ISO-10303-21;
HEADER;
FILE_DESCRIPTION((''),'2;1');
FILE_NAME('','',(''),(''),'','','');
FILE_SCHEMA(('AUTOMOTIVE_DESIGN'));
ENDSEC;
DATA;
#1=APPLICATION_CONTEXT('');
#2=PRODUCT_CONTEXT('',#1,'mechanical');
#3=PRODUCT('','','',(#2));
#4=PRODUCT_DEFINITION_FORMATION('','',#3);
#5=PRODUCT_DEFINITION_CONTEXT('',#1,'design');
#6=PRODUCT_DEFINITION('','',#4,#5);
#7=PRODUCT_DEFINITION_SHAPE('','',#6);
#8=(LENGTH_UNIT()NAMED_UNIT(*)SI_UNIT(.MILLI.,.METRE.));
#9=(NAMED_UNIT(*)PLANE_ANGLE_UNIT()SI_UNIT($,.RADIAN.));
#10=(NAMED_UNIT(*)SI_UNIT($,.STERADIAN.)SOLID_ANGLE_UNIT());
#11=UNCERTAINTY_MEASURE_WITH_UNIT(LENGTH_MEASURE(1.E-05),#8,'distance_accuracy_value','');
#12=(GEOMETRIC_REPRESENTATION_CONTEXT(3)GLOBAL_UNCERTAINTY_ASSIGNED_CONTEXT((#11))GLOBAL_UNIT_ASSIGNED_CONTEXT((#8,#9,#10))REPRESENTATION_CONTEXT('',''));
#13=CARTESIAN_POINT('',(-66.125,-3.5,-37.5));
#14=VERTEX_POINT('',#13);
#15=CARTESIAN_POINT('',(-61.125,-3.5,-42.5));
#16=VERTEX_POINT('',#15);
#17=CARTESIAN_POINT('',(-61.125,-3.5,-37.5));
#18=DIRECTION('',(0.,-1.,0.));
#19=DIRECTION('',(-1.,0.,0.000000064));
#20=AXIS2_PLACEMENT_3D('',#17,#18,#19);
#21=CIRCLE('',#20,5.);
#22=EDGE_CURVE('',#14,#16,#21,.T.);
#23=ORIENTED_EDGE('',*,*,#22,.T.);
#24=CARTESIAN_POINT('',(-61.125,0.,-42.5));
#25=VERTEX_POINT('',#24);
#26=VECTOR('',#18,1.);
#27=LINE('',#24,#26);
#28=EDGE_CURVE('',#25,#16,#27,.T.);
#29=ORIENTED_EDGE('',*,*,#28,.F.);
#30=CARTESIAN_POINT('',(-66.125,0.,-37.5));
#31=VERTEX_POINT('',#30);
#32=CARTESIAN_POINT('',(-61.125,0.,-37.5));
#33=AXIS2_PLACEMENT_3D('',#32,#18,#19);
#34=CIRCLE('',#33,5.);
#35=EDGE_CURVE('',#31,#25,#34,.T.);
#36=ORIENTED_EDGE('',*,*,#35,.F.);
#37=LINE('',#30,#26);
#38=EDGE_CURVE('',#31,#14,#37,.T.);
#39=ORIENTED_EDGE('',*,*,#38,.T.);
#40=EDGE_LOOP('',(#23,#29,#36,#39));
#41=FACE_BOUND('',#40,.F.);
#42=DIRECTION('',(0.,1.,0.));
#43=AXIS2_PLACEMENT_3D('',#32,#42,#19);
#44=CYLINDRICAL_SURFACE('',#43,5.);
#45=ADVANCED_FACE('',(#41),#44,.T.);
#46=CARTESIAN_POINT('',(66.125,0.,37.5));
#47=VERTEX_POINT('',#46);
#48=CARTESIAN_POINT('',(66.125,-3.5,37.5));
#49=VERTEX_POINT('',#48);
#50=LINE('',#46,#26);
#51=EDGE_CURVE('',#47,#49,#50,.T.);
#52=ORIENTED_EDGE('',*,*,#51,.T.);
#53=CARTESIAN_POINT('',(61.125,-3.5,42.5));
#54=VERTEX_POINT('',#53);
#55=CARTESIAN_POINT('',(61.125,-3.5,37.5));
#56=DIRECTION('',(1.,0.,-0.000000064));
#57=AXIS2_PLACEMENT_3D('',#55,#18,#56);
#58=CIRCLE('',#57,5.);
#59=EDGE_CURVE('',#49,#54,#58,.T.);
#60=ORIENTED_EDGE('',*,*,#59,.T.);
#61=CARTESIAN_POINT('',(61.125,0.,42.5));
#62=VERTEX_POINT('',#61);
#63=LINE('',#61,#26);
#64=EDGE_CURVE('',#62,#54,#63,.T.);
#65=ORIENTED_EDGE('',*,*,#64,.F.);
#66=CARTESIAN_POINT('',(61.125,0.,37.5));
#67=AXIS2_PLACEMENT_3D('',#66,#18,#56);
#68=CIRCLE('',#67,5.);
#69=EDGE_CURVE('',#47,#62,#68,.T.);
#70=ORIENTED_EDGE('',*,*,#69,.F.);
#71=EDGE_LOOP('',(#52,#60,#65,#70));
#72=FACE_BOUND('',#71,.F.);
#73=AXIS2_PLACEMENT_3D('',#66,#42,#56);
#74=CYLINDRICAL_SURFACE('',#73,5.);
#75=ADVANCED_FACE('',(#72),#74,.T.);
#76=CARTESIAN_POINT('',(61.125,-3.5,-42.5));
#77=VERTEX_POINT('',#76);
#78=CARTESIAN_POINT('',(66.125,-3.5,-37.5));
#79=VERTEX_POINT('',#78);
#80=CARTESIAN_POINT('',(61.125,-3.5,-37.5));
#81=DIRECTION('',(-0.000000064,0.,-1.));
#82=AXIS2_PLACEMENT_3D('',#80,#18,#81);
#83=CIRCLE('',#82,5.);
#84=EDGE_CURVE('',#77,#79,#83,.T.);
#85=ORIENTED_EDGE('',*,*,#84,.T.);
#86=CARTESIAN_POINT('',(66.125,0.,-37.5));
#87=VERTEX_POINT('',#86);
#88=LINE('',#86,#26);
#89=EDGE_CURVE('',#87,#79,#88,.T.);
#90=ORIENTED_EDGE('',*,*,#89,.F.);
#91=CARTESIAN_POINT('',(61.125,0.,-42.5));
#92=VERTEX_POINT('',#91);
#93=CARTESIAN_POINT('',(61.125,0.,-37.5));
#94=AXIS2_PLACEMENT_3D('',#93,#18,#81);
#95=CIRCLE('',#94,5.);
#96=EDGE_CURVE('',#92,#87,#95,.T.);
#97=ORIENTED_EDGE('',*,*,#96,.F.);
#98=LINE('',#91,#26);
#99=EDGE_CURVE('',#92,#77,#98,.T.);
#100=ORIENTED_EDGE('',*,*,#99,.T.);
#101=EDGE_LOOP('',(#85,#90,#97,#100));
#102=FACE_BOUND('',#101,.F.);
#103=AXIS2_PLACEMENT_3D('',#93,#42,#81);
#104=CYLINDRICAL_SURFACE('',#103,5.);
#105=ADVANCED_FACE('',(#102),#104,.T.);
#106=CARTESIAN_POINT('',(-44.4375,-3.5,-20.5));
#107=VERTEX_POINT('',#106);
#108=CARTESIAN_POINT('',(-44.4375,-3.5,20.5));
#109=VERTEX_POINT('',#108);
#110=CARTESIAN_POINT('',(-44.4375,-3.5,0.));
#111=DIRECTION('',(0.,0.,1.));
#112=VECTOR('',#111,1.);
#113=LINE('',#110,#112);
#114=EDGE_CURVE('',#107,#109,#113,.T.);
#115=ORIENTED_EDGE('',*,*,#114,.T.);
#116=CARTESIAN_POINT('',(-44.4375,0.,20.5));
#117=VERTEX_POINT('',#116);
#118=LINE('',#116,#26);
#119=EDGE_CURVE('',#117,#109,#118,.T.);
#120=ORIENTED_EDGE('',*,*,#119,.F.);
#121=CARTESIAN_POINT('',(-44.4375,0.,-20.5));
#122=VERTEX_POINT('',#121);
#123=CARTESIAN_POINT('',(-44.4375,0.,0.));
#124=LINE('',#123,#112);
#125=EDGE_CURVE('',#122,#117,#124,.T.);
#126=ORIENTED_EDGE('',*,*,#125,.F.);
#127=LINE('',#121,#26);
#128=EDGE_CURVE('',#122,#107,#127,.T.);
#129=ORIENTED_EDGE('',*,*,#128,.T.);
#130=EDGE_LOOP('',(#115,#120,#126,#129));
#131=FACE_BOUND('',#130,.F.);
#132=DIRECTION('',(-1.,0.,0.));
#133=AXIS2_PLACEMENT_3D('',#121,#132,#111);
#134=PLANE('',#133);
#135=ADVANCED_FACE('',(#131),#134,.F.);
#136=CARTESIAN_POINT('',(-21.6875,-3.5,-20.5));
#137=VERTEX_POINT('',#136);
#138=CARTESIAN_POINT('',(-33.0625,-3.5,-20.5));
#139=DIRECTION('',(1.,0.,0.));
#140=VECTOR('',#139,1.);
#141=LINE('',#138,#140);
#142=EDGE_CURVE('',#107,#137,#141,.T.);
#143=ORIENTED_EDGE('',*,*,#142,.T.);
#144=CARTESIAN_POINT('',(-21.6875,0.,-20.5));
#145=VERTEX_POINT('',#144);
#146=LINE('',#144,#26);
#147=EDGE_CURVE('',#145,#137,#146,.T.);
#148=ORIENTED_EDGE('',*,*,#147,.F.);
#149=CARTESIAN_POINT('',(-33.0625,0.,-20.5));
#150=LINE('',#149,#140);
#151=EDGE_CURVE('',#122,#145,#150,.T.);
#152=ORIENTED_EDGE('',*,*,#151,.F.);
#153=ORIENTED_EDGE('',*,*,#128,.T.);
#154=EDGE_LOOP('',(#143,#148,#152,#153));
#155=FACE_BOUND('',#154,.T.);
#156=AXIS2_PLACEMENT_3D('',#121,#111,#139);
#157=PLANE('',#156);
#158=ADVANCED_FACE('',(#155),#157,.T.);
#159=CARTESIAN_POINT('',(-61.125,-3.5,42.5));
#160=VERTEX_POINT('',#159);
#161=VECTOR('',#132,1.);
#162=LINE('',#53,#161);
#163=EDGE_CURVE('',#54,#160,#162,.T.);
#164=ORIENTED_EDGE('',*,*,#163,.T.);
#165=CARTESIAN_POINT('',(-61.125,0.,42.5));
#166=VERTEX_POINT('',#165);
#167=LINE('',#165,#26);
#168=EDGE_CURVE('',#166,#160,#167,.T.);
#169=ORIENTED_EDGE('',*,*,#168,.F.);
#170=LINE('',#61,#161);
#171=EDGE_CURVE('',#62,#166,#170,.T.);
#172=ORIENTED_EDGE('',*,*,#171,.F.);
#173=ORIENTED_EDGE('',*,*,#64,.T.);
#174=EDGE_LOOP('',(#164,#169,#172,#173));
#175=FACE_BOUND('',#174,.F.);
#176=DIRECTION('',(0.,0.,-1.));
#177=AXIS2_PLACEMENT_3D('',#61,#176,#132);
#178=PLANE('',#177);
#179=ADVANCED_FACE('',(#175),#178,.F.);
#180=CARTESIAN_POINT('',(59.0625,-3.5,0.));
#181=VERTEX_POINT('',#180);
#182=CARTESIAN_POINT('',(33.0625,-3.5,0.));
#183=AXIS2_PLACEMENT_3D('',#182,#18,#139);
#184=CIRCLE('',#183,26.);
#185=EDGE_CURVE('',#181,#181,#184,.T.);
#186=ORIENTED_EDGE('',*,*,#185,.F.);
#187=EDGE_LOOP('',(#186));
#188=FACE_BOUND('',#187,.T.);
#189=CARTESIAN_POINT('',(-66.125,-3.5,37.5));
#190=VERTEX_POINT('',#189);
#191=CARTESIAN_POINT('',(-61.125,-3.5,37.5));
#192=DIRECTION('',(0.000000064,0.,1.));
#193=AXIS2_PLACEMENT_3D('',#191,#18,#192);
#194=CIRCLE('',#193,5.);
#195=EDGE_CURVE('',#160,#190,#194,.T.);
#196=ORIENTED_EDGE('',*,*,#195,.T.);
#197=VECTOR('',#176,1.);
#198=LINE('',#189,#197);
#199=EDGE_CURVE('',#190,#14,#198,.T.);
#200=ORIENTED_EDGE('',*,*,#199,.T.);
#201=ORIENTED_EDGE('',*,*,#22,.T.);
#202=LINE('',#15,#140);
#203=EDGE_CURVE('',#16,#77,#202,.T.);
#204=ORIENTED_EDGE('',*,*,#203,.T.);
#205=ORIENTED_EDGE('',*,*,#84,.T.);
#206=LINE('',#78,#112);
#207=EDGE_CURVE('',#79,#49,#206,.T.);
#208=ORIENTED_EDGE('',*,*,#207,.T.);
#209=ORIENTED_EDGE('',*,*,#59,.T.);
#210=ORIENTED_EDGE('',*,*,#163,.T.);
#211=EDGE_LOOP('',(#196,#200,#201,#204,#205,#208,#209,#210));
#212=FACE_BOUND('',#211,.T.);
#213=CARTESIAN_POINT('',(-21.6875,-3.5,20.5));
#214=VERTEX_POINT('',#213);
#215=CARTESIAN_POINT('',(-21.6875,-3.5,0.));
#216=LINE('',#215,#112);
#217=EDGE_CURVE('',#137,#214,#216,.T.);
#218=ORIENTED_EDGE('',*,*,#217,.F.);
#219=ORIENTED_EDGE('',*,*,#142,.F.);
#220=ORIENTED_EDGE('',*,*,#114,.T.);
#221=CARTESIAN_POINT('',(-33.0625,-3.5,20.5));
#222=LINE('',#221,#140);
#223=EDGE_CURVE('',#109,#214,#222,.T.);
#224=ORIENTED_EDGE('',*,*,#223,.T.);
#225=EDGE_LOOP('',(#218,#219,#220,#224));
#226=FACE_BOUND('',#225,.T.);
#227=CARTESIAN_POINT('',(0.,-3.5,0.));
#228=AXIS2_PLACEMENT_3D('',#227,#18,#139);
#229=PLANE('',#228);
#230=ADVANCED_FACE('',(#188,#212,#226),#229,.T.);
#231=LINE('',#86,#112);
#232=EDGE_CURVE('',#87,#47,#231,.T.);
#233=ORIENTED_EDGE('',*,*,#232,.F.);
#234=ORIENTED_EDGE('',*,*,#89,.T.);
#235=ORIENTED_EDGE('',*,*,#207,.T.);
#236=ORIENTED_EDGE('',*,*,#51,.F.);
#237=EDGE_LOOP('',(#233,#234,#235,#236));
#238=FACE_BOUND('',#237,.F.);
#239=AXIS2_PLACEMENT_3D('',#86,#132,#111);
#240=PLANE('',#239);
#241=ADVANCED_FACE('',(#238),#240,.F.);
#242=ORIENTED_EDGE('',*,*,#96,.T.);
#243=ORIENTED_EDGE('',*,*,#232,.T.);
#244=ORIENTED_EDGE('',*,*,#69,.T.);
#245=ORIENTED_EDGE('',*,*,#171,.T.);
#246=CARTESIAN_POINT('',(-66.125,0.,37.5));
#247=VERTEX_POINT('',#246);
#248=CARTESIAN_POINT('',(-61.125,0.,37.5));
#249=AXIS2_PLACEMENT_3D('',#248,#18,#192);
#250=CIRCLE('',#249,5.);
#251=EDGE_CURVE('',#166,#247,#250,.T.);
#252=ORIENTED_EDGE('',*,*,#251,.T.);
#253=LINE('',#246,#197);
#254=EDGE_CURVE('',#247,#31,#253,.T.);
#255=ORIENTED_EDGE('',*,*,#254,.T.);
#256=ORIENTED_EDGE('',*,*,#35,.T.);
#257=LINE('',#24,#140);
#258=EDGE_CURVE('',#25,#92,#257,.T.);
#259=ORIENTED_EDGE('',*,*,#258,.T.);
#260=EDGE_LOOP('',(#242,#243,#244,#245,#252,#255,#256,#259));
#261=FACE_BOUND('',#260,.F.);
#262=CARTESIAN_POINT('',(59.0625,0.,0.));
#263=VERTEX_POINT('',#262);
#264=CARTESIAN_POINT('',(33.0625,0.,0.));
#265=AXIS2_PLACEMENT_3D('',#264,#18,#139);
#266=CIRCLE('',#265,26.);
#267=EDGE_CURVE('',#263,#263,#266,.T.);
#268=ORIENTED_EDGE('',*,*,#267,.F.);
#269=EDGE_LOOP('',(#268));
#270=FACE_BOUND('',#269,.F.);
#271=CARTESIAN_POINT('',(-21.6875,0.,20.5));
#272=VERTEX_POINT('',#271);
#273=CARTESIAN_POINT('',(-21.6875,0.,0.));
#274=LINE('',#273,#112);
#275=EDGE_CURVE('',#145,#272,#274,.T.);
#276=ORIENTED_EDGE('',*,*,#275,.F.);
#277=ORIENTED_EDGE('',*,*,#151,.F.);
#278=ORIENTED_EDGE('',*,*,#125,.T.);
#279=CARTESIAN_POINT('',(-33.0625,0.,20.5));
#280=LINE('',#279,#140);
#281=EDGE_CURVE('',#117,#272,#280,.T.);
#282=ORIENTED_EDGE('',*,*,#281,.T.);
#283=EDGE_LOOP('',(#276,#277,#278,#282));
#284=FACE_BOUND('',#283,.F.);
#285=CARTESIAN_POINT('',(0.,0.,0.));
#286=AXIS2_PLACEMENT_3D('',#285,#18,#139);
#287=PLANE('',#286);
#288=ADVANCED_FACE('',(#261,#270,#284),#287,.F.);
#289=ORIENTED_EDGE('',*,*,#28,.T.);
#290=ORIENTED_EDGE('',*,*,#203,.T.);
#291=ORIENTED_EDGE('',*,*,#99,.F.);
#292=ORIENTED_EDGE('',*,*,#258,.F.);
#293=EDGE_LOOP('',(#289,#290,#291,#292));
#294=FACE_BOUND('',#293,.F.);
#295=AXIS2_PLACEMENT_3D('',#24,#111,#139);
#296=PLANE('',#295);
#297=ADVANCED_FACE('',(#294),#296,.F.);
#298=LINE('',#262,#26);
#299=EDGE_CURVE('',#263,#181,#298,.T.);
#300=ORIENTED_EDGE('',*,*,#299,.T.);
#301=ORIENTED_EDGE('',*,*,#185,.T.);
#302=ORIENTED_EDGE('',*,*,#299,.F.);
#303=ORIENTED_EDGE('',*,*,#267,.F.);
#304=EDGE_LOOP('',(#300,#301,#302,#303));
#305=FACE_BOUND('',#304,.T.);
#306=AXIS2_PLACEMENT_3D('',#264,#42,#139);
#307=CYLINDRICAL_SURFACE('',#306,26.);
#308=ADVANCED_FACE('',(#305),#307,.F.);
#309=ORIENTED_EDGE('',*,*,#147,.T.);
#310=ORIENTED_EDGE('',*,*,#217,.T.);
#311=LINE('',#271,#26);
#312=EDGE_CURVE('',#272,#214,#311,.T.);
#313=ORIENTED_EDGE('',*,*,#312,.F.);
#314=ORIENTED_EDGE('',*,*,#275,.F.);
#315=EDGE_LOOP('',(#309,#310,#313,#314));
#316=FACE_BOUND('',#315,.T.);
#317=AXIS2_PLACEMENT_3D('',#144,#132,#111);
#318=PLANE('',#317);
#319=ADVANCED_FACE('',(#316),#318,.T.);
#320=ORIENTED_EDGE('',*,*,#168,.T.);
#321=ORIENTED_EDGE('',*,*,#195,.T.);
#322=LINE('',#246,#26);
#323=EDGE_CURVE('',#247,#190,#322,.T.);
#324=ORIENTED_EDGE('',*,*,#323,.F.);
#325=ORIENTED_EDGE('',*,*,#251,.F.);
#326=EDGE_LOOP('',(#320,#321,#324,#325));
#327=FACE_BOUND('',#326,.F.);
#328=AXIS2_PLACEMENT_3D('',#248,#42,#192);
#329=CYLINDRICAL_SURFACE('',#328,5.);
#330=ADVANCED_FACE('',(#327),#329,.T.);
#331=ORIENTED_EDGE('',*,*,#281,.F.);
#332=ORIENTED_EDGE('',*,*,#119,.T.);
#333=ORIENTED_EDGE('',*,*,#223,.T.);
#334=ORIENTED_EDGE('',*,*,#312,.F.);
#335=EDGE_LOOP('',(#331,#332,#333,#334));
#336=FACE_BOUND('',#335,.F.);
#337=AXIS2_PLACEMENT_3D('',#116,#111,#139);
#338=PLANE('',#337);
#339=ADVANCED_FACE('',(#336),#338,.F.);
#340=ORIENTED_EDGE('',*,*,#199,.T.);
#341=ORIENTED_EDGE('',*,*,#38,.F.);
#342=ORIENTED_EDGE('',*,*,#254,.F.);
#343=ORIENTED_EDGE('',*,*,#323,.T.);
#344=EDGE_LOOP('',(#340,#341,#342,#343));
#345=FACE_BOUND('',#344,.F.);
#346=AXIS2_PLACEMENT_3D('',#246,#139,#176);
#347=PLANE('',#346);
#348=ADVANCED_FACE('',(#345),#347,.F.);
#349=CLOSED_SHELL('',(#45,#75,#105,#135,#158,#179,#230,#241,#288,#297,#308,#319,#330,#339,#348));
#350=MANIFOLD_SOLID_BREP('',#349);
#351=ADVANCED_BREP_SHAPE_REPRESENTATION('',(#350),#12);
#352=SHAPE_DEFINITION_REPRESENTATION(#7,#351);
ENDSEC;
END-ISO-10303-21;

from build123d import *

# Parameters (mm, degrees)
F0_W     = 22.75
F0_H     = 41
F0_R     = 26
F1_DEPTH = 3.5


with BuildPart() as f1:
    # F0 (on Front) → F1 (new body)
    with BuildSketch(Plane.XZ):
        with BuildLine():
            Line((-61.125, -42.5), (61.125, -42.5))
            ThreePointArc((61.125, -42.5), (64.660534, -41.035534), (66.125, -37.5))
            Line((66.125, -37.5), (66.125, 37.5))
            ThreePointArc((66.125, 37.5), (64.660534, 41.035534), (61.125, 42.5))
            Line((61.125, 42.5), (-61.125, 42.5))
            ThreePointArc((-61.125, 42.5), (-64.660534, 41.035534), (-66.125, 37.5))
            Line((-66.125, 37.5), (-66.125, -37.5))
            ThreePointArc((-66.125, -37.5), (-64.660534, -41.035534), (-61.125, -42.5))
        make_face()
        with Locations((-33.0625, 0)):
            Rectangle(F0_W, F0_H, mode=Mode.SUBTRACT)
        with Locations((33.0625, 0)):
            Circle(F0_R, mode=Mode.SUBTRACT)
    extrude(amount=F1_DEPTH)


solid = f1.part
